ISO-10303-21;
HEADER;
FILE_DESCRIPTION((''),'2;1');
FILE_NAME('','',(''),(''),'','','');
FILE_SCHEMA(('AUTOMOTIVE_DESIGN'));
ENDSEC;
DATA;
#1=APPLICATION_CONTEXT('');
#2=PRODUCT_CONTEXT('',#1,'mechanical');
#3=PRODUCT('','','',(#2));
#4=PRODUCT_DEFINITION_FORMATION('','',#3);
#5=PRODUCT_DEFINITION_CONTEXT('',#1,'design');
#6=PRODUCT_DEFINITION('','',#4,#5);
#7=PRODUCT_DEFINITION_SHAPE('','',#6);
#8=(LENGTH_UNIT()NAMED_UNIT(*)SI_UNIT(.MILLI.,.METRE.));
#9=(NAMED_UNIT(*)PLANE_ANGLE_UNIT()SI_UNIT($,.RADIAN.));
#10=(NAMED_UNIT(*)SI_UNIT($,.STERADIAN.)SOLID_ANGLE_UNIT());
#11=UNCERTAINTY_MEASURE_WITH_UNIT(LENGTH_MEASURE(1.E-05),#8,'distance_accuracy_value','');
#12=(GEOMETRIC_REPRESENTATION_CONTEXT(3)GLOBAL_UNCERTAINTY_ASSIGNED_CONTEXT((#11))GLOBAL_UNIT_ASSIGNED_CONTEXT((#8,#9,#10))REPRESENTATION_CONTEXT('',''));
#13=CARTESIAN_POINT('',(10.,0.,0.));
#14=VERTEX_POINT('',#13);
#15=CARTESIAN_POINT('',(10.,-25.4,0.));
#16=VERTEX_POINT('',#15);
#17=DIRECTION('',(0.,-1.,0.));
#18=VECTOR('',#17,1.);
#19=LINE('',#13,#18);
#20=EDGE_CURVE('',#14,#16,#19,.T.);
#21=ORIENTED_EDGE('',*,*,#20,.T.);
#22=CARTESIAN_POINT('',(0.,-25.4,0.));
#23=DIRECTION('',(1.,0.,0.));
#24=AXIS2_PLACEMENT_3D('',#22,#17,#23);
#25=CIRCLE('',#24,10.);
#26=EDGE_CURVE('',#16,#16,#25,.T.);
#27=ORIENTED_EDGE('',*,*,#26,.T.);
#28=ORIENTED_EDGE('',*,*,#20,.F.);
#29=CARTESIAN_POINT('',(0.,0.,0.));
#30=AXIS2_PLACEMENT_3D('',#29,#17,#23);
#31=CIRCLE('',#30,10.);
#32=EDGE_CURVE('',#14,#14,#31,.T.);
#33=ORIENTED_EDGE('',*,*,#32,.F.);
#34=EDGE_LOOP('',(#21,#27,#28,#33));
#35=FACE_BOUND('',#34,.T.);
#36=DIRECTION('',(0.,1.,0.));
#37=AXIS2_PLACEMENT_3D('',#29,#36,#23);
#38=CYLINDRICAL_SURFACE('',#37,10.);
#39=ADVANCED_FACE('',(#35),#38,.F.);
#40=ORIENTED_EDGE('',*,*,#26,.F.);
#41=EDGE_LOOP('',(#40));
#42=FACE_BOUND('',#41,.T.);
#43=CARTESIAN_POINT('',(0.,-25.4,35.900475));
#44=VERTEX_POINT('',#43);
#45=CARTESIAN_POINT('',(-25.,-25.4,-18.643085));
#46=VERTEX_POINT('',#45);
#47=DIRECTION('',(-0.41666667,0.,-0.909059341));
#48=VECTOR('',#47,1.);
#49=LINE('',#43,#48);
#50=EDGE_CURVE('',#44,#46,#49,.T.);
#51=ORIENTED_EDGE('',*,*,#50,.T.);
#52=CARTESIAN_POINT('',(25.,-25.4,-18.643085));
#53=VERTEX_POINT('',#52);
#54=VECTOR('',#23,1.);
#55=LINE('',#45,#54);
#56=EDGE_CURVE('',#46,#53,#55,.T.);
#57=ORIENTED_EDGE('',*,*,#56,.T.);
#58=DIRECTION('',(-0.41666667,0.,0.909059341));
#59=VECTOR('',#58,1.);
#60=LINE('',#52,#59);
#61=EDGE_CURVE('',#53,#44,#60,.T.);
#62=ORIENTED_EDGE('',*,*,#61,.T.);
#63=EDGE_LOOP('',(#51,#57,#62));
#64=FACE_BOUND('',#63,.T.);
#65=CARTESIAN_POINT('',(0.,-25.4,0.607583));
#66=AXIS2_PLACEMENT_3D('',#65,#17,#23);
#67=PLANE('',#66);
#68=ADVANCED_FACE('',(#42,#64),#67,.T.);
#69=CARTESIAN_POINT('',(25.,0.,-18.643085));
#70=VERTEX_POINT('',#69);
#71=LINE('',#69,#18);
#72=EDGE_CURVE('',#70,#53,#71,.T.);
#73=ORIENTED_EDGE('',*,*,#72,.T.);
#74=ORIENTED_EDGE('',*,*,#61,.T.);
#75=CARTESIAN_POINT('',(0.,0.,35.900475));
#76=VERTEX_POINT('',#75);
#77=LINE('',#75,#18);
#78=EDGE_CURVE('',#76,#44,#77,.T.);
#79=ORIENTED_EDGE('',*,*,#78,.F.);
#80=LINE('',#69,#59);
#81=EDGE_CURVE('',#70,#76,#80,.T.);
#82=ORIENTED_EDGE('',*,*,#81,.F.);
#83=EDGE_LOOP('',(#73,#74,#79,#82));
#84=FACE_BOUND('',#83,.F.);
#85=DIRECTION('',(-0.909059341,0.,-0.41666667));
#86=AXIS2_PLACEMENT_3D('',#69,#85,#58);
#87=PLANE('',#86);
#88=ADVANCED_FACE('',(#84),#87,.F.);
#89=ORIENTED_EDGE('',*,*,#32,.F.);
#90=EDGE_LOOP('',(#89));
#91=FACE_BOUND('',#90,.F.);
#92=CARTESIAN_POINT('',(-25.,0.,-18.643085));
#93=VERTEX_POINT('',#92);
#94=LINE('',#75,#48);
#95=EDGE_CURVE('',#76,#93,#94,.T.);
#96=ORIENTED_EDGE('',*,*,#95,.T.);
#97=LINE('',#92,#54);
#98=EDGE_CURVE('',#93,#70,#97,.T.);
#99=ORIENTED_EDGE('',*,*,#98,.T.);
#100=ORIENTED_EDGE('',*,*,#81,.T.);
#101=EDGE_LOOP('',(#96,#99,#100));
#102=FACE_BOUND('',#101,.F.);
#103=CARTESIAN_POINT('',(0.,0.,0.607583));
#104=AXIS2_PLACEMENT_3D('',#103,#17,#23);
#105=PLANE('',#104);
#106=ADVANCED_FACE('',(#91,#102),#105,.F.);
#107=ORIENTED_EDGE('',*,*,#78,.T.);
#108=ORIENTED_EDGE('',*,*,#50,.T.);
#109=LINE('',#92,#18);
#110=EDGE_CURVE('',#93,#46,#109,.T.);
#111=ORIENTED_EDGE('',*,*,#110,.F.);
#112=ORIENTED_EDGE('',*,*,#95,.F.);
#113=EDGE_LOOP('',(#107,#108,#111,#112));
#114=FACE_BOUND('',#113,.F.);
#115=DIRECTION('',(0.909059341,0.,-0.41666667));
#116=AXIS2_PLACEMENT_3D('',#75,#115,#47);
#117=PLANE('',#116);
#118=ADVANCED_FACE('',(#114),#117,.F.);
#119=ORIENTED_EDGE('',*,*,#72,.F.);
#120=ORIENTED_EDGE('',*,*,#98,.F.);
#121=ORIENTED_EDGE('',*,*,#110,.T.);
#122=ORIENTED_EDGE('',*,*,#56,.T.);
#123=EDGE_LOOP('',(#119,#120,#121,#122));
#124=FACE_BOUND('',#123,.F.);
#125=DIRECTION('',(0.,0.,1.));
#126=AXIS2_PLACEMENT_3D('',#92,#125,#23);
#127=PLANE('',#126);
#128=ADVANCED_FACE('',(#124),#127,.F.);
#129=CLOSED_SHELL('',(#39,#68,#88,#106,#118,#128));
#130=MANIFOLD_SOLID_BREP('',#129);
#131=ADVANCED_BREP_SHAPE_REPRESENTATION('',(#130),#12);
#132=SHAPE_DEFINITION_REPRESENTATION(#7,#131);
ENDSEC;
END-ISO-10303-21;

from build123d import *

# Parameters (mm, degrees)
F0_R     = 10
F1_DEPTH = 25.4


with BuildPart() as f1:
    # F0 (on Front) → F1 (new body)
    with BuildSketch(Plane.XZ):
        Polygon((0, 35.900475), (-25, -18.643085), (25, -18.643085), align=None)
        Circle(F0_R, mode=Mode.SUBTRACT)
    extrude(amount=F1_DEPTH)


solid = f1.part
